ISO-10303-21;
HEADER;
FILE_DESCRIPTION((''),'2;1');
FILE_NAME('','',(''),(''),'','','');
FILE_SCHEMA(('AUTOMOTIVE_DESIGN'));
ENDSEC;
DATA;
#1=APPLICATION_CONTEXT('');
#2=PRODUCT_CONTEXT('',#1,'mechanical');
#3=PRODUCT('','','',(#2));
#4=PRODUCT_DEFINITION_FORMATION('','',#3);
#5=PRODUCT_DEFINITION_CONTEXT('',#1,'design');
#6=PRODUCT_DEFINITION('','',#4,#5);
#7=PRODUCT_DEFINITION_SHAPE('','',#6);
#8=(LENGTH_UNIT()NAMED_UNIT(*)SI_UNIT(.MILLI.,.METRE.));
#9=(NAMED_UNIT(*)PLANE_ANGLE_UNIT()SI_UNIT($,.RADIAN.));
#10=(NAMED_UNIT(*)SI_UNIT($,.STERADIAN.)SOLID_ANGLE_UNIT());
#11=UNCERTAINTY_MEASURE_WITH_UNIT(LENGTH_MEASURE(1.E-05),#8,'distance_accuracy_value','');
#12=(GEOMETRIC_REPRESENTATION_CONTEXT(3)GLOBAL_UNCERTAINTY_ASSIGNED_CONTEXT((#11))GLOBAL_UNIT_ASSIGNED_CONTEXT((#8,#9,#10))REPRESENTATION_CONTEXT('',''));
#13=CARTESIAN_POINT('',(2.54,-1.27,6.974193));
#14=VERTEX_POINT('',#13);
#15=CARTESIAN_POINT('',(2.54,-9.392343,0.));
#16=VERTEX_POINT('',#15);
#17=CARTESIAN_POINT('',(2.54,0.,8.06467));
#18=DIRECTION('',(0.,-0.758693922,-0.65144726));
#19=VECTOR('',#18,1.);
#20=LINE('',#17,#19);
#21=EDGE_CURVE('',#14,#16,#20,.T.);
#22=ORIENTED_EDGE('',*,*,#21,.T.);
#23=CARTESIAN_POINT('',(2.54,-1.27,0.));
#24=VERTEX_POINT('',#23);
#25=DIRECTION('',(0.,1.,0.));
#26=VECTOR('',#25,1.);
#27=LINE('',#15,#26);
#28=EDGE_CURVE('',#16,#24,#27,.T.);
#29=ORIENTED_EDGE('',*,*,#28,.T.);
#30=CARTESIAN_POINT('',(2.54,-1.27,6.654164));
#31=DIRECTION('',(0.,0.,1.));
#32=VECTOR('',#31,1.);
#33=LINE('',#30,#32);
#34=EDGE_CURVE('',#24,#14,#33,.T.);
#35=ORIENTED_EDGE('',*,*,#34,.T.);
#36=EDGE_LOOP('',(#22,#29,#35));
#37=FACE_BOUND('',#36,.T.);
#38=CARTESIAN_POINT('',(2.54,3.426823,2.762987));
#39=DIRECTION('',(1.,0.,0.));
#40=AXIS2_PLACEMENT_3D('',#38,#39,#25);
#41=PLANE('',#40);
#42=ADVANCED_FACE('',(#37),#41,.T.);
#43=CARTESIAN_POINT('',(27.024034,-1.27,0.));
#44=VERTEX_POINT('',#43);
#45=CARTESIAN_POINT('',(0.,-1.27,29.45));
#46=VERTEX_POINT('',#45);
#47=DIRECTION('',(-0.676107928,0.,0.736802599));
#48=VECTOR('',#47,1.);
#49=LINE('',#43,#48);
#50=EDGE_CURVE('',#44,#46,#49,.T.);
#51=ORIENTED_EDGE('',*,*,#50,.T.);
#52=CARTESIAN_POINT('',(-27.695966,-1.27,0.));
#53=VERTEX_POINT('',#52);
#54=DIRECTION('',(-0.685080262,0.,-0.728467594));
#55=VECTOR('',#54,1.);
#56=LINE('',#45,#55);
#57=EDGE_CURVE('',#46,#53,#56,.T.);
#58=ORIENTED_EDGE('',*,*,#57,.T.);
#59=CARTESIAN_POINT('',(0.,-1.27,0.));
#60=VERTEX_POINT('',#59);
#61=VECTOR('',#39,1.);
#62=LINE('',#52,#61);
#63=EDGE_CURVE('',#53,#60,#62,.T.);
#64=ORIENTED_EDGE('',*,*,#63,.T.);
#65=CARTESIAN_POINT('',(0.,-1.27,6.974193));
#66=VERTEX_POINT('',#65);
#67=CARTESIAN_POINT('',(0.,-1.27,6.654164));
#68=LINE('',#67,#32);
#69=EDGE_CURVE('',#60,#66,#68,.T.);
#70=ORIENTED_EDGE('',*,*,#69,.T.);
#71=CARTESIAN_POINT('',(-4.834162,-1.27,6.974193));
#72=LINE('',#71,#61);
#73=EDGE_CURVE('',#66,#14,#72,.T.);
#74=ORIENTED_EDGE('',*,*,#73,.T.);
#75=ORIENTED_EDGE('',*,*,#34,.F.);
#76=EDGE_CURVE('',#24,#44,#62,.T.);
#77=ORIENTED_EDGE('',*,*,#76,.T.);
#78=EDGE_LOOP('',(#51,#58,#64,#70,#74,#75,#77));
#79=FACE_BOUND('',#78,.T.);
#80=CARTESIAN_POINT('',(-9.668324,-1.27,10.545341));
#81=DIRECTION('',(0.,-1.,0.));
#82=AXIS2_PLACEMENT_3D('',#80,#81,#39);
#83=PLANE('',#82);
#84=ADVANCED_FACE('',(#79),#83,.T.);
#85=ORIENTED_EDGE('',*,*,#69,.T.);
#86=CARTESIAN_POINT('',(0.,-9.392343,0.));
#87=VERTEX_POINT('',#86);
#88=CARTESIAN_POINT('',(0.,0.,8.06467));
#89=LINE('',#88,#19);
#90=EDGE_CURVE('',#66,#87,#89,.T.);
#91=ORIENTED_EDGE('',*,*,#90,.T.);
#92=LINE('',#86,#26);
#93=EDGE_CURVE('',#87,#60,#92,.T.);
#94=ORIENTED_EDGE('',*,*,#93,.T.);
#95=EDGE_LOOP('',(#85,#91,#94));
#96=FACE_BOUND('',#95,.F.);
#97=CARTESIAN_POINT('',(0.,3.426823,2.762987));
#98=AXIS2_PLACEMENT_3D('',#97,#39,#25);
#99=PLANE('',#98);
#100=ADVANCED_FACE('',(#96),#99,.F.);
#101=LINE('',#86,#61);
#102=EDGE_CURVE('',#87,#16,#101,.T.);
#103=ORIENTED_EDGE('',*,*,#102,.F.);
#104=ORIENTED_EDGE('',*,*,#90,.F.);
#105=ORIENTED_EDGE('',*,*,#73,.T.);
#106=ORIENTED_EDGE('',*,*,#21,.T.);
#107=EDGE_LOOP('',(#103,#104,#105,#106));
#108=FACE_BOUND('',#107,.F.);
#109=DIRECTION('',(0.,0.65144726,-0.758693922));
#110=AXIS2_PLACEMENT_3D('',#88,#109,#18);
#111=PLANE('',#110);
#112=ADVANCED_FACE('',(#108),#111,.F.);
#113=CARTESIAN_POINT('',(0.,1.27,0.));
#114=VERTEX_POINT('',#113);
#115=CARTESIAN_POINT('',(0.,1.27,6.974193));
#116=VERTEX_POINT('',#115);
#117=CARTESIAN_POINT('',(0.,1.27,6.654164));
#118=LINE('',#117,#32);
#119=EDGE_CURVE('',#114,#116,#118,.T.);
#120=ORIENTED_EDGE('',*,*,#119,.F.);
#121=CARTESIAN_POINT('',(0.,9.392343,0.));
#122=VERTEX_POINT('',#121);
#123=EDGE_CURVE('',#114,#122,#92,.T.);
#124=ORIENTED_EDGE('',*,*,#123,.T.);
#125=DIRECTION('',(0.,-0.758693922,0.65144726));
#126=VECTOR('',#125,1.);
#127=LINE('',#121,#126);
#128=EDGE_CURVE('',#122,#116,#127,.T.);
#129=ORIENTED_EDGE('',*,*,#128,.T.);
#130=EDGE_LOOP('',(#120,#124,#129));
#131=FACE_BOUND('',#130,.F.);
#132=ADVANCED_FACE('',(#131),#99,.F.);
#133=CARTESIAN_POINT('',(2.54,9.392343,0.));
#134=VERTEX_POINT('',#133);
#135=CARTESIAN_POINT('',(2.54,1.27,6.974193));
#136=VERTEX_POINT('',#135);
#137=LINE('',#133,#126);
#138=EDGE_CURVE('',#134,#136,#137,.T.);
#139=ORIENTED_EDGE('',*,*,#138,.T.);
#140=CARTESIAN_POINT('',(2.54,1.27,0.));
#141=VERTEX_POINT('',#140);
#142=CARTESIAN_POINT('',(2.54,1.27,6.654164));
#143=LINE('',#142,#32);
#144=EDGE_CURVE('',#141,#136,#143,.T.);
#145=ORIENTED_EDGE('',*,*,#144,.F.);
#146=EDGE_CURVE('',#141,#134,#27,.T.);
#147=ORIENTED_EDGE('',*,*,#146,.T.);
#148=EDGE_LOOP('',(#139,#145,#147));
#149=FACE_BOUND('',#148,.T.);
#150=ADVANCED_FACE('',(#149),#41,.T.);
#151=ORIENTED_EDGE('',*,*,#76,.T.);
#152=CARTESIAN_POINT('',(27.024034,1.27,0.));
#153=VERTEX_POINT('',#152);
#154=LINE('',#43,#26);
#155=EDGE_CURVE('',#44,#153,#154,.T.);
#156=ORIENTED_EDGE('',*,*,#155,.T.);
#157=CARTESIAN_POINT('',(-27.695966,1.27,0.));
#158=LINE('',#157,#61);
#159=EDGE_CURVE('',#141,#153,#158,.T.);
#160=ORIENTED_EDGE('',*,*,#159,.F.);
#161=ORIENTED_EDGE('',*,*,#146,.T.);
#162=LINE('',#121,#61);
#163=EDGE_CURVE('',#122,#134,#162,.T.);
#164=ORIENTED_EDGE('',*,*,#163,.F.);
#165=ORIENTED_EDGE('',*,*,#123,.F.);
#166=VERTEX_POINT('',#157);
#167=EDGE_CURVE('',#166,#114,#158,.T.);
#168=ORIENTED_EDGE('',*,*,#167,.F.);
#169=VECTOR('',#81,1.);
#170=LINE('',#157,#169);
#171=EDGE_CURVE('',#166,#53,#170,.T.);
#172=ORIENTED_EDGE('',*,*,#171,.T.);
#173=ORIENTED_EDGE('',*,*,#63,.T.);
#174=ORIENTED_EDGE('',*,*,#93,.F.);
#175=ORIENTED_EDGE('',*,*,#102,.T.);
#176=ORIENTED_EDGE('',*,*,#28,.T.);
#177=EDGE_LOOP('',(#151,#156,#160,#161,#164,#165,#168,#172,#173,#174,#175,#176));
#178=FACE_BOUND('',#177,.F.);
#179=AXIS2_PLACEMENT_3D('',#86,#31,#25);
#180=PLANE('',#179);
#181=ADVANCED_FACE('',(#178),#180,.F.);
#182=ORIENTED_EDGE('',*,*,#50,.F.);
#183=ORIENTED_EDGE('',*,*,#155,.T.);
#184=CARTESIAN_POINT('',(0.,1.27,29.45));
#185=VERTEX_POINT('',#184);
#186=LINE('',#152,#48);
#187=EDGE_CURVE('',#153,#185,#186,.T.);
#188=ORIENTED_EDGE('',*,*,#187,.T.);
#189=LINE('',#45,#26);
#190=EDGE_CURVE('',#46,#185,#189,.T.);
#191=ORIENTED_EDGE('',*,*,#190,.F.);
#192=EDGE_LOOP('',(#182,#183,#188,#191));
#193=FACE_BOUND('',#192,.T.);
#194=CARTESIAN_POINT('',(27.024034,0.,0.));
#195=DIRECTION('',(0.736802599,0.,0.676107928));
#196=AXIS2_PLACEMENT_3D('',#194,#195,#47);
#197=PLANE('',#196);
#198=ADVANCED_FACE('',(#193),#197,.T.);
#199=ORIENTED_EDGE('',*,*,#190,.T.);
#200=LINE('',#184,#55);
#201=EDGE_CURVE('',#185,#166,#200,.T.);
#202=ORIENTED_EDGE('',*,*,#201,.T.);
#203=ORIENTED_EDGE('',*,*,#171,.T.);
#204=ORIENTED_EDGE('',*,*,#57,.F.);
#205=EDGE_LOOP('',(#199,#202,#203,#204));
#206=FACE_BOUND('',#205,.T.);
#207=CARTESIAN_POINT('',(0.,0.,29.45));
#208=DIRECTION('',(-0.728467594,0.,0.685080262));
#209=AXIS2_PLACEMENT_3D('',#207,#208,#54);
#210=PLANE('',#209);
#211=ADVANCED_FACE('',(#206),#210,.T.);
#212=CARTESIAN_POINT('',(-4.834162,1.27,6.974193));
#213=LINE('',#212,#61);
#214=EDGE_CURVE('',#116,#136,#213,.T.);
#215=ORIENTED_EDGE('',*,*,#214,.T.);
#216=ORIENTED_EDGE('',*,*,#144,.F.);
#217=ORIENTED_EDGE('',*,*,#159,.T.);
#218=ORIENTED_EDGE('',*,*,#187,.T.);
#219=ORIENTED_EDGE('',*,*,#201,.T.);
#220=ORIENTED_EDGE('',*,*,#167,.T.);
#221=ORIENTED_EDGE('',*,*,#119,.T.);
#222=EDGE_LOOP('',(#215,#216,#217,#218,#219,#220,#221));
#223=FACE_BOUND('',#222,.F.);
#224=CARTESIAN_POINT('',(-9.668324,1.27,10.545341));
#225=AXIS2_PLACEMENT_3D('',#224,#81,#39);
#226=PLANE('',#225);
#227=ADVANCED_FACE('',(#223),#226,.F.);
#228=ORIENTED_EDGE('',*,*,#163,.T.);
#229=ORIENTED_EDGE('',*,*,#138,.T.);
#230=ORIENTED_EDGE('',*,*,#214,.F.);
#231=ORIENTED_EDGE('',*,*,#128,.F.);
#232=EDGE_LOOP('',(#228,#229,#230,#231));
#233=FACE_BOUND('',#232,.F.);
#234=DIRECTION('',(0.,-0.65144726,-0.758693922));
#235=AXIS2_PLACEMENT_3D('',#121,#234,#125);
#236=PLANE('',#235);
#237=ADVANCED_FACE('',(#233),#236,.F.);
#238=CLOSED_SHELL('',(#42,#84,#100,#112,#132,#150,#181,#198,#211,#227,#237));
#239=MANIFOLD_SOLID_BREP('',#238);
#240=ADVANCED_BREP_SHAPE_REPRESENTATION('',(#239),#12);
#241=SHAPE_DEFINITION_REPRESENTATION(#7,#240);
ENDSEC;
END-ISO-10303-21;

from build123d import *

# Parameters (mm, degrees)
F1_DEPTH = 1.27
F3_DEPTH = 2.54


with BuildPart() as f1:
    # F0 (on Front) → F1 (new body, symmetric)
    with BuildSketch(Plane.XZ):
        Polygon((0, 29.45), (-27.695966, 0), (0, 0), align=None)
        Polygon((0, 29.45), (0, 0), (27.024034, 0), align=None)
    extrude(amount=F1_DEPTH, both=True)

    # F2 (on Right) → F3 (join)
    with BuildSketch(Plane.YZ):
        Polygon((9.392343, 0), (0, 8.06467), (0, 0), align=None)
        Polygon((0, 0), (0, 8.06467), (-9.392343, 0), align=None)
    extrude(amount=F3_DEPTH)


solid = f1.part
